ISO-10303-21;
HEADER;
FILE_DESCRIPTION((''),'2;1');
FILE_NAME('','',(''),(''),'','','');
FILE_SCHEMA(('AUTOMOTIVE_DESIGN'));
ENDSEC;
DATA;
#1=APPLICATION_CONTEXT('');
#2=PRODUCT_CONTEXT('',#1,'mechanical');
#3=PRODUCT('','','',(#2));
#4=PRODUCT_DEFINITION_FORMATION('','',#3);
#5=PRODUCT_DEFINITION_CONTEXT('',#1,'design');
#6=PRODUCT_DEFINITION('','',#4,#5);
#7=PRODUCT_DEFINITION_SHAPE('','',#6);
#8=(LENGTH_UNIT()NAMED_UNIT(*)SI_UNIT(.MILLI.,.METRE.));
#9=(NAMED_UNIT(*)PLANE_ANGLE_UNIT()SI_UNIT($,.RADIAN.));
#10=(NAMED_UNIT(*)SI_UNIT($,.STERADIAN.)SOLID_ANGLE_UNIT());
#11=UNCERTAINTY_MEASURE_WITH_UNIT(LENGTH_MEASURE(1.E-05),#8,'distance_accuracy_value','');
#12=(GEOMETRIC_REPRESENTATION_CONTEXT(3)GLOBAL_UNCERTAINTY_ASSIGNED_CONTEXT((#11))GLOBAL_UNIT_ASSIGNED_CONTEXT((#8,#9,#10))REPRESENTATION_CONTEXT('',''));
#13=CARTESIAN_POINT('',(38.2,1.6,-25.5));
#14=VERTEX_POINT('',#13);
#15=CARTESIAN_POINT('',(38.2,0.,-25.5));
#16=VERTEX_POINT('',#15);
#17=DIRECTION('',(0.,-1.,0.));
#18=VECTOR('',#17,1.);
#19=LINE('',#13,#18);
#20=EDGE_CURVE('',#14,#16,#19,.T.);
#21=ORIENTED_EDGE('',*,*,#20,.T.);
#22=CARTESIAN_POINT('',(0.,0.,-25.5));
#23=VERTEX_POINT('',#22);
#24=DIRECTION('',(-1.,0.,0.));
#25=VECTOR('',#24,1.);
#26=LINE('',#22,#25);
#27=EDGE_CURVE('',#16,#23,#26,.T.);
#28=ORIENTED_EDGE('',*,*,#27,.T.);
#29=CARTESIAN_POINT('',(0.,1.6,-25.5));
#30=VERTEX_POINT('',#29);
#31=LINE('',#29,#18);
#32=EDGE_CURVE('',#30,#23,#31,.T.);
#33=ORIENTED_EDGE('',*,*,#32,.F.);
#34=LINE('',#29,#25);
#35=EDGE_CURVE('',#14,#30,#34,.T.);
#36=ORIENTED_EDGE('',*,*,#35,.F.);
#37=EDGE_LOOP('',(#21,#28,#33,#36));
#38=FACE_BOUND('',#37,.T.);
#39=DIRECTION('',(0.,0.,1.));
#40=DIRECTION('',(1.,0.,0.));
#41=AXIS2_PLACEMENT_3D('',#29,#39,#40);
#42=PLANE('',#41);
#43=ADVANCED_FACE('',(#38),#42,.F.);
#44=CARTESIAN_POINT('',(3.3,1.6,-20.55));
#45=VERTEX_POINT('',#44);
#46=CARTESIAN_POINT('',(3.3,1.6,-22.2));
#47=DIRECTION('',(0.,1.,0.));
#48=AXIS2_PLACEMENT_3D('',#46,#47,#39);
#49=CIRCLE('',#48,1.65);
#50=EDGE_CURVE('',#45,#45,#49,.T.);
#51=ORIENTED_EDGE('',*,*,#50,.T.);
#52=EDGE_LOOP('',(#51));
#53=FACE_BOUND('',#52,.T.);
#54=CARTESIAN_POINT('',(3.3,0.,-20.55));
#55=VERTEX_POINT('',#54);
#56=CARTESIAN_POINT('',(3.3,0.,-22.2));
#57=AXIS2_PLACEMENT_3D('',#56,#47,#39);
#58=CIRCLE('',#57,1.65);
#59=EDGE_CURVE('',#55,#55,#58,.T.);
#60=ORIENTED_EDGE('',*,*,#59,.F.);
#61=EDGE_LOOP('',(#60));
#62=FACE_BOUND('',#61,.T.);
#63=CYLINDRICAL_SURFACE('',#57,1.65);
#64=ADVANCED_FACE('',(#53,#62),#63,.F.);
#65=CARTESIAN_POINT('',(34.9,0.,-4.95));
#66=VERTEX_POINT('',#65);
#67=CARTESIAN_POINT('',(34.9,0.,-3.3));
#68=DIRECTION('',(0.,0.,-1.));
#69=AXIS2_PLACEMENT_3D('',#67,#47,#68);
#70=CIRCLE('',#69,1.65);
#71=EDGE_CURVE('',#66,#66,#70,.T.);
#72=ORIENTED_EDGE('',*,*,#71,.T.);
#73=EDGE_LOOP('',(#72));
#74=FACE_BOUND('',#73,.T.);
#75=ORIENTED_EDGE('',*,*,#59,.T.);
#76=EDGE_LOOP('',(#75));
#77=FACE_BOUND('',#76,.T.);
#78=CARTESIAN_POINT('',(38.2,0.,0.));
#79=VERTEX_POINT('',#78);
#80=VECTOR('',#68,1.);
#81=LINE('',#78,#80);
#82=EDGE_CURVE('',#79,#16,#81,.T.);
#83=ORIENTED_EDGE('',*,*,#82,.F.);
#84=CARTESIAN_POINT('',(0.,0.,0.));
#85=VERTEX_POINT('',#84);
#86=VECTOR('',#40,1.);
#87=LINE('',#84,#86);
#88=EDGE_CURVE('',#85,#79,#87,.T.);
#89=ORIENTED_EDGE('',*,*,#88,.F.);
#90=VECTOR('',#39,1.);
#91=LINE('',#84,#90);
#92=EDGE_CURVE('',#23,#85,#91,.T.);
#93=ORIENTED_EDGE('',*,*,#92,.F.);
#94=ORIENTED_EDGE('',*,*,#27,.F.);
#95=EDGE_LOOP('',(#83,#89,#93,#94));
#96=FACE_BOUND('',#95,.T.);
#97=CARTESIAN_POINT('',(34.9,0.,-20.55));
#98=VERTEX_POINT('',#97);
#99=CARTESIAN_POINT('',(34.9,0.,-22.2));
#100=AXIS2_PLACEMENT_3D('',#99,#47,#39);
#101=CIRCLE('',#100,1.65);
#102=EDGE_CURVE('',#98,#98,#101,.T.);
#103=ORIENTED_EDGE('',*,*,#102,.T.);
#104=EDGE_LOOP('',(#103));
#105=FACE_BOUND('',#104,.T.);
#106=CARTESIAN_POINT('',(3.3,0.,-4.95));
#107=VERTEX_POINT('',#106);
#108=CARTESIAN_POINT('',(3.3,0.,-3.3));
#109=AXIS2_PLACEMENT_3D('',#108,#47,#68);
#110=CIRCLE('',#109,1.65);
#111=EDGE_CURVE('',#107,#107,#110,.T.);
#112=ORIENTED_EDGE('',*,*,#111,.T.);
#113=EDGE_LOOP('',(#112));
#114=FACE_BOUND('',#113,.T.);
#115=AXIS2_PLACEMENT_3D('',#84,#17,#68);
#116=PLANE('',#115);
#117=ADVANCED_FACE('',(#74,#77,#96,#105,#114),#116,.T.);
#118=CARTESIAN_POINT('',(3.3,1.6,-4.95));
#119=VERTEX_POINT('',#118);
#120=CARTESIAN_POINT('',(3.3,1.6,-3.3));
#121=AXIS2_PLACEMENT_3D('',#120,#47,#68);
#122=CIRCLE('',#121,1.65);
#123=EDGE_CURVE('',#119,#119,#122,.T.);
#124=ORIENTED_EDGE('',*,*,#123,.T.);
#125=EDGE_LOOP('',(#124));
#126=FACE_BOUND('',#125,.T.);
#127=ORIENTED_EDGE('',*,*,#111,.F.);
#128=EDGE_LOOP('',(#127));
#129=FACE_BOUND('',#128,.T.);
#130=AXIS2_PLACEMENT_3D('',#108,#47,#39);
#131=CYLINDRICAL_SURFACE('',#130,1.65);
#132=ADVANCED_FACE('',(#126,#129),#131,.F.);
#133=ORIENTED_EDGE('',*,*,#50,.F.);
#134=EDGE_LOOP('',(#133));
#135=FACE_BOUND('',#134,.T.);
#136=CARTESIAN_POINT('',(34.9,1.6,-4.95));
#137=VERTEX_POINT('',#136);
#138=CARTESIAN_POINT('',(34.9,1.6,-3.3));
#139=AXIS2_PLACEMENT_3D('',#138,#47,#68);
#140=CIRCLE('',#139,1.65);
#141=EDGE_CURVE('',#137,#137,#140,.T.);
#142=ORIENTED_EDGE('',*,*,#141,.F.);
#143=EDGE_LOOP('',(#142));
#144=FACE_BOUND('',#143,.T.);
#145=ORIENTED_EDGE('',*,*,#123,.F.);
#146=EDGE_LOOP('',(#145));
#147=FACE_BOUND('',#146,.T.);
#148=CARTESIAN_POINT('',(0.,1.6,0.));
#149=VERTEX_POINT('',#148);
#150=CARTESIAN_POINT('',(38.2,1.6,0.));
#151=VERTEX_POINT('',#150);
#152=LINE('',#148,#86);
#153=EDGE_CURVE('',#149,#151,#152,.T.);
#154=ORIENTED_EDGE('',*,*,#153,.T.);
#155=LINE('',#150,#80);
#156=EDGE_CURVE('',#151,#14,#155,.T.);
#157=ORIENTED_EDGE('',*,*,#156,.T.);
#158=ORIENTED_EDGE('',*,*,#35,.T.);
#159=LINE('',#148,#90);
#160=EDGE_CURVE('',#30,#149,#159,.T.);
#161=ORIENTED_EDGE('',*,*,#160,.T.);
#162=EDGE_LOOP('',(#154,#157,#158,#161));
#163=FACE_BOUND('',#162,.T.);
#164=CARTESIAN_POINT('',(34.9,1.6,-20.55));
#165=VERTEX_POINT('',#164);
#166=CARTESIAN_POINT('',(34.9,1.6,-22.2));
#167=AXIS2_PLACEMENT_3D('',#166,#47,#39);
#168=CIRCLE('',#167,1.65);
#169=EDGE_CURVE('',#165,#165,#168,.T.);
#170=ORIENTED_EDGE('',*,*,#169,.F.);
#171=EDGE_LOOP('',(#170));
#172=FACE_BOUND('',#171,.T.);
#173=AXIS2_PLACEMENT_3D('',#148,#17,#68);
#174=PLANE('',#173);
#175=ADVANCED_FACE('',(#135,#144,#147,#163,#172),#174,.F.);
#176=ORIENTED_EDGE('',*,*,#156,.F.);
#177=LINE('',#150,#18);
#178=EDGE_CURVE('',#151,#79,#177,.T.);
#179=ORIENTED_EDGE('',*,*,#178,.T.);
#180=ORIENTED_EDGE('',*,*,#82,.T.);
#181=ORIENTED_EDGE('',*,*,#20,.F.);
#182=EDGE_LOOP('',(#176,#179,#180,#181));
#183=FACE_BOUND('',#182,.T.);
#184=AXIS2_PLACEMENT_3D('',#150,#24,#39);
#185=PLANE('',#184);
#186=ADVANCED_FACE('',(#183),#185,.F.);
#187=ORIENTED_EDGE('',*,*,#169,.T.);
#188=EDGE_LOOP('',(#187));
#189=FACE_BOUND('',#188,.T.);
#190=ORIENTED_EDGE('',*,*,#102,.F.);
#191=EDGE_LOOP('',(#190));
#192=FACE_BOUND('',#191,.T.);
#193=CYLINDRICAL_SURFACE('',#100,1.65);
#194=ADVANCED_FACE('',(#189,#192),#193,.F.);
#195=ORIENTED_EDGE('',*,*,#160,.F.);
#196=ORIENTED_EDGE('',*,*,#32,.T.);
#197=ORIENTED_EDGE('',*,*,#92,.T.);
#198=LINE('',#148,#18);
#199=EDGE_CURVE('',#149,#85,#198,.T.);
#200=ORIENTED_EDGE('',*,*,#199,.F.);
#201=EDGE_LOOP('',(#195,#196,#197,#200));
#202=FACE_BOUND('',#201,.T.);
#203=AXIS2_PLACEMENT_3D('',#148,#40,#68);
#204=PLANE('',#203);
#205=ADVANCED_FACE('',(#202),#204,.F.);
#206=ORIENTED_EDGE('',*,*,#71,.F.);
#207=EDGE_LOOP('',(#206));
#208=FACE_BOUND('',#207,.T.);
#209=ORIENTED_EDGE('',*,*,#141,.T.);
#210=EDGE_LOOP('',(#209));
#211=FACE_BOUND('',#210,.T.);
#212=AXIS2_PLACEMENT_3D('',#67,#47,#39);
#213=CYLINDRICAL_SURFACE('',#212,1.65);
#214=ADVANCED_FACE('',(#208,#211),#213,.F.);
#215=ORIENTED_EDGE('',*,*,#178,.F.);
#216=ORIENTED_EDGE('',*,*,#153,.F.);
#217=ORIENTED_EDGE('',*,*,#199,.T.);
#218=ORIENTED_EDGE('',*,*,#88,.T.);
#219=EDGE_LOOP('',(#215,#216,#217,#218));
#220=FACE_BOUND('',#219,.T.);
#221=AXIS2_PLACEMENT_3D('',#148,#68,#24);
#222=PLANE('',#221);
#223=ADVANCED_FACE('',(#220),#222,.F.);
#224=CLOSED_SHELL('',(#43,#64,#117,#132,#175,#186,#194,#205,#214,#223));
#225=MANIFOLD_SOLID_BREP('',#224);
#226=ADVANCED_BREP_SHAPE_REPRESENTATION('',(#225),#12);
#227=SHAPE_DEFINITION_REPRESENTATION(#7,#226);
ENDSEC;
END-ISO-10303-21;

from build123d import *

# Parameters (mm, degrees)
SKETCH1_W           = 38.2
SKETCH1_H           = 25.5
BOSS_EXTRUDE1_DEPTH = 1.6
SKETCH2_R           = 1.65
CUT_EXTRUDE1_DEPTH  = 1.6


with BuildPart() as part:
    # Sketch1 → Boss-Extrude1 (new body)
    with BuildSketch(Plane(origin=(0, 0, 0), x_dir=(1, 0, 0), z_dir=(0, 1, 0))):
        with Locations((19.1, 12.75)):
            Rectangle(SKETCH1_W, SKETCH1_H)
    extrude(amount=BOSS_EXTRUDE1_DEPTH)

    # Sketch2 → Cut-Extrude1 (cut)
    with BuildSketch(Plane(origin=(0, 1.6, 0), x_dir=(1, 0, 0), z_dir=(0, 1, 0))):
        with Locations((34.9, 22.2)):
            Circle(SKETCH2_R)
        with Locations((3.3, 22.2)):
            Circle(SKETCH2_R)
        with Locations((3.3, 3.3)):
            Circle(SKETCH2_R)
        with Locations((34.9, 3.3)):
            Circle(SKETCH2_R)
    extrude(amount=-CUT_EXTRUDE1_DEPTH, mode=Mode.SUBTRACT)


solid = part.part
